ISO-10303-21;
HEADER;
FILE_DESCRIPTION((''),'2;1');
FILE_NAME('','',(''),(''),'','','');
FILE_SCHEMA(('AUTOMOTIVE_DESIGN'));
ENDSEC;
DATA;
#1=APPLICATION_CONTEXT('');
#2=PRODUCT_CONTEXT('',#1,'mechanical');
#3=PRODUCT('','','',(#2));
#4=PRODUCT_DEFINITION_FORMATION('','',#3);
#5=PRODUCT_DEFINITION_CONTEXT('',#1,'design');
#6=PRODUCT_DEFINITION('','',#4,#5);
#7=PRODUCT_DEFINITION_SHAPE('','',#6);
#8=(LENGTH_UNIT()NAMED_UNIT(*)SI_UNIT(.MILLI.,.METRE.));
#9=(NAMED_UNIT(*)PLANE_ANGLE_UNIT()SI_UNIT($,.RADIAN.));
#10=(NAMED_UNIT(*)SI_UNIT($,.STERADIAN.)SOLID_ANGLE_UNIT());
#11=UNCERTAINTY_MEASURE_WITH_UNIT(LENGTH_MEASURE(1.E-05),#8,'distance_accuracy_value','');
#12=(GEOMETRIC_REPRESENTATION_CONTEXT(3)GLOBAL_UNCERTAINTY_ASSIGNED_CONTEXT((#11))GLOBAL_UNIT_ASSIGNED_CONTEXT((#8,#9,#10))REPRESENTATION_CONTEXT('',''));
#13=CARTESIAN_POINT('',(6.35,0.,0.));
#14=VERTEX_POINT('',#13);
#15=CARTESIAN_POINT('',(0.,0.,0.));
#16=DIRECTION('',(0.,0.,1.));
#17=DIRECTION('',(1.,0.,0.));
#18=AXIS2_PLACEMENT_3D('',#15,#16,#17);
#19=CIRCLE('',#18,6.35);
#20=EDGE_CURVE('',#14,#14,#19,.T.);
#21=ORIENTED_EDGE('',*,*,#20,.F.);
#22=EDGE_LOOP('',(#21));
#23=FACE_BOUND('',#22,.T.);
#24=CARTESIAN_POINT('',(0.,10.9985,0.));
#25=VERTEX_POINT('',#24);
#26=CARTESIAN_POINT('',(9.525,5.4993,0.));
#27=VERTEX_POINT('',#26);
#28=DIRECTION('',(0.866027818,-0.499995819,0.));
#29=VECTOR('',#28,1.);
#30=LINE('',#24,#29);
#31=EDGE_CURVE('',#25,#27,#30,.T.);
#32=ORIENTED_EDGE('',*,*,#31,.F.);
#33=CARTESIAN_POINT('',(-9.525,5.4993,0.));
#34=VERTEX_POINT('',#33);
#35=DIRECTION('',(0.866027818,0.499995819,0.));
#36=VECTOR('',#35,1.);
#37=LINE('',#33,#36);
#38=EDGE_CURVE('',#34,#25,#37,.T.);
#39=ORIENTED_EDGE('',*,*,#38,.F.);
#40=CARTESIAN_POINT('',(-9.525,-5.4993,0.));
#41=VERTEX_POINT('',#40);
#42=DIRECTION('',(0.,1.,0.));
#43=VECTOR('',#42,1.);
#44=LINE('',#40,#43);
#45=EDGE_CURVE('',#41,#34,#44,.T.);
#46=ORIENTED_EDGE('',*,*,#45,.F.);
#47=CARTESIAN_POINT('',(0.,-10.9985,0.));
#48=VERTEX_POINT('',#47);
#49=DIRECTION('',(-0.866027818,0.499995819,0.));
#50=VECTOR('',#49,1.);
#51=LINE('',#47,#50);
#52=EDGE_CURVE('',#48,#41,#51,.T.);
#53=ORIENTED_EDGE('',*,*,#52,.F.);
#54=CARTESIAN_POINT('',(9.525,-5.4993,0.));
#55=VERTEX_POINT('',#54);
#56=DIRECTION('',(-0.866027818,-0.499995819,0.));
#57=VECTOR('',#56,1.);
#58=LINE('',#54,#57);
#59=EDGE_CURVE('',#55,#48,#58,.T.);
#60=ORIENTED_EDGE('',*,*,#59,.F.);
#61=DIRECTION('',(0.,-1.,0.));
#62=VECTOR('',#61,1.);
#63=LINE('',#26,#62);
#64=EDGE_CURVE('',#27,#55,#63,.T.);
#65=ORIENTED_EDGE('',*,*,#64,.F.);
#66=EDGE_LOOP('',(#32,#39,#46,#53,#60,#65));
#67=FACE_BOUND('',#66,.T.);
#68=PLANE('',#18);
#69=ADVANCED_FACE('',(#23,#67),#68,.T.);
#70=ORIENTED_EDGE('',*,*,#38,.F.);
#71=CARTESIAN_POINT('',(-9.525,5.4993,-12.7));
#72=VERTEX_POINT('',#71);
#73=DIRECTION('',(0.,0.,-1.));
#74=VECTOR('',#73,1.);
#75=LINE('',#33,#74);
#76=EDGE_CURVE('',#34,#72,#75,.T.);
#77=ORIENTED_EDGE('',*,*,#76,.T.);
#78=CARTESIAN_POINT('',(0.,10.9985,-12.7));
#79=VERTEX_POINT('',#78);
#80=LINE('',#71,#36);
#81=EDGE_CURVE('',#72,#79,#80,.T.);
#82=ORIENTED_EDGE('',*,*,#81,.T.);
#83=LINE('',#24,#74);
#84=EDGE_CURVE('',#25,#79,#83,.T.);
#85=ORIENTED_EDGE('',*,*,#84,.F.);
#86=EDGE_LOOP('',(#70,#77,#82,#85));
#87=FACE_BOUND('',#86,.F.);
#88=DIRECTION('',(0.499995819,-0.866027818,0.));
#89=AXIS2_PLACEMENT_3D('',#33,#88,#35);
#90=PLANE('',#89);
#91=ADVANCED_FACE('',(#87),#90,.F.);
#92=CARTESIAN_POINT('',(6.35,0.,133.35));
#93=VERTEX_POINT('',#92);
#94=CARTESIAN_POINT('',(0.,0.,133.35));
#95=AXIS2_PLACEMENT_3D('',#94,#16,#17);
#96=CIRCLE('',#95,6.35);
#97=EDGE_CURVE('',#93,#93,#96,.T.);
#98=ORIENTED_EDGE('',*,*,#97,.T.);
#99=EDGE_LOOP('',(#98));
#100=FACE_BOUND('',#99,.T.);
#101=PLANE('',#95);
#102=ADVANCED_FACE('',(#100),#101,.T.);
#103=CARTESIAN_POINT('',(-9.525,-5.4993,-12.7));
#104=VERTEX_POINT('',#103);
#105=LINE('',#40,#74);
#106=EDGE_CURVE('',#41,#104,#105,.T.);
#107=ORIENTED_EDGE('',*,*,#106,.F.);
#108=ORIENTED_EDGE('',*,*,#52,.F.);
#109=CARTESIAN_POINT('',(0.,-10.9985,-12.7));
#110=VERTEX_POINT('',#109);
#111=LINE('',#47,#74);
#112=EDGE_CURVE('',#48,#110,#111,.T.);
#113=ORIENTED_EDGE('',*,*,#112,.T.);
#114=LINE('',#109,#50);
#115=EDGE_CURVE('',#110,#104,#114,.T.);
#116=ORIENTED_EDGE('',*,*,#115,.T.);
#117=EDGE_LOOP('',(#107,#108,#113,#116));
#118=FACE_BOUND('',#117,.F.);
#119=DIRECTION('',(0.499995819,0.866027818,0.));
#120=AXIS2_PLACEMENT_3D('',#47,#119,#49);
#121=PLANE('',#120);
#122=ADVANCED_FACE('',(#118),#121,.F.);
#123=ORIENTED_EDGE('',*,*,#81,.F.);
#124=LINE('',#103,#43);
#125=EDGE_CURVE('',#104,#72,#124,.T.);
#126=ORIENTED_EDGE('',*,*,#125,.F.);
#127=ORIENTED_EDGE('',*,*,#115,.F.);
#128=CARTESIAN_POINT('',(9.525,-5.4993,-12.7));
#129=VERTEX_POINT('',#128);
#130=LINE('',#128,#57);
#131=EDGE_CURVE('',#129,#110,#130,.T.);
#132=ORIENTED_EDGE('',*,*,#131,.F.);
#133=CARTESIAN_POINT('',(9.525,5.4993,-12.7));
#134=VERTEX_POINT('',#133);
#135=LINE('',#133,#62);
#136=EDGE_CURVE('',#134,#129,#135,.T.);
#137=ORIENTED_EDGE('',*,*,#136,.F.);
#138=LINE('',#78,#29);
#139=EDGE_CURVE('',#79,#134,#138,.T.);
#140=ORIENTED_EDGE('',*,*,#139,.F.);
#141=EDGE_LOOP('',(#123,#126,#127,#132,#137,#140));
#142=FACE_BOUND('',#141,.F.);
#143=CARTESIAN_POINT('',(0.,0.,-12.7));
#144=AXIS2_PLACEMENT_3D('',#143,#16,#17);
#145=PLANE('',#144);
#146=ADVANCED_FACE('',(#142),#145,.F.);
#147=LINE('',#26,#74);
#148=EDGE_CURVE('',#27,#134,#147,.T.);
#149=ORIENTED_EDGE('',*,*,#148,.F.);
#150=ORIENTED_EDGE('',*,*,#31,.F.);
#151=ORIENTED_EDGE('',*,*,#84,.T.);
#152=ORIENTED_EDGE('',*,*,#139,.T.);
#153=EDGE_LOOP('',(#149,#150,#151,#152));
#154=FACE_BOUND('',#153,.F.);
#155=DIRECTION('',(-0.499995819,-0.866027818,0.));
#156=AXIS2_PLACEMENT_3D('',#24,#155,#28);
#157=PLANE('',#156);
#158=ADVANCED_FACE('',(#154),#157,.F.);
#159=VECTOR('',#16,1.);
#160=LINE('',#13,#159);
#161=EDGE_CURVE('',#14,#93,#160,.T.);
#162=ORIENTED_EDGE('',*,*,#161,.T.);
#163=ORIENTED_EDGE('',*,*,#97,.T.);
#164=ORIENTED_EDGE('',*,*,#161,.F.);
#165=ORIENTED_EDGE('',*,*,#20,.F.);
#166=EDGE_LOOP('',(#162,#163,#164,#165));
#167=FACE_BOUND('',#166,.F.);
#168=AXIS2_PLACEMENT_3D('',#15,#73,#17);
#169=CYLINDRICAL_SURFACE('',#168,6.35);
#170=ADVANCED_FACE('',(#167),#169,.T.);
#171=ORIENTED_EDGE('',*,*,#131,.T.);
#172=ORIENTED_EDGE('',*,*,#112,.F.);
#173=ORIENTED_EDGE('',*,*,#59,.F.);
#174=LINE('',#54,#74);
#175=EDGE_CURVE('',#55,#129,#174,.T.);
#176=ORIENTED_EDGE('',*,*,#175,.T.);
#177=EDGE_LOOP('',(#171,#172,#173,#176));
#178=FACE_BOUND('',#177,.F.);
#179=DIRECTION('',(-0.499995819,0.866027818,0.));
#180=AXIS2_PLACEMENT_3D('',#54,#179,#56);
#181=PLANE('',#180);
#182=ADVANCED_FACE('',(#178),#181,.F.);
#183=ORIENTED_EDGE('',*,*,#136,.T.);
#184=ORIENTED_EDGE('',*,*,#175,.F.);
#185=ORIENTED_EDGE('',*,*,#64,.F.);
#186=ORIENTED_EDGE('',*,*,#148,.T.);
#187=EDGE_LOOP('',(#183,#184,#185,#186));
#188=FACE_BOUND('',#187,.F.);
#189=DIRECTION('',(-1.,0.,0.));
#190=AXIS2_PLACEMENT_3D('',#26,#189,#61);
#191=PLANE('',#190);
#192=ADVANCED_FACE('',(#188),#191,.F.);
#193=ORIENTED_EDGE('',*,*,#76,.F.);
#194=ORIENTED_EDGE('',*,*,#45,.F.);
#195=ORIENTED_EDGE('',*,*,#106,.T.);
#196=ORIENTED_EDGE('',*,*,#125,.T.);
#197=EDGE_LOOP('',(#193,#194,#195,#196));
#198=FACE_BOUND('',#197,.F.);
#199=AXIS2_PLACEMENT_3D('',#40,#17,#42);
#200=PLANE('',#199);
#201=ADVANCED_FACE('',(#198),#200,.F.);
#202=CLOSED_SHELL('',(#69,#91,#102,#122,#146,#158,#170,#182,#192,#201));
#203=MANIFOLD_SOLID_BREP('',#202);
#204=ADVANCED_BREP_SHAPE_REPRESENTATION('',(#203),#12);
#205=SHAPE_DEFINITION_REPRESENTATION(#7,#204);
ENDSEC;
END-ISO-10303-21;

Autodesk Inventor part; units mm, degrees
ref_plane "YZ Plane" through (0, 0, 0) normal (1, 0, 0) x (0, 1, 0)
ref_plane "XZ Plane" through (0, 0, 0) normal (0, 1, 0) x (-1, 0, 0)
ref_plane "XY Plane" through (0, 0, 0) normal (0, 0, 1) x (1, 0, 0)
sketch "Sketch1" plane through (0, 0, 0) normal (0, 0, 1) x (1, 0, 0)
  circle A0 centre (0, 0) radius 6.35
  line L0 (0, 10.9985) -> (9.525, 5.4993)
  line L1 (9.525, 5.4993) -> (9.525, -5.4993)
  line L2 (9.525, -5.4993) -> (0, -10.9985)
  line L3 (0, -10.9985) -> (-9.525, -5.4993)
  line L4 (-9.525, -5.4993) -> (-9.525, 5.4993)
  line L5 (-9.525, 5.4993) -> (0, 10.9985)
  dimension "d1" = 19.05
extrude "Extrusion1" add sketch "Sketch1" against normal blind 12.7 contours A0 | L0 L1 L2 L3 L4 L5
sketch "Sketch2" plane through (0, 0, 0) normal (0, 0, 1) x (1, 0, 0)
  circle A0 centre (0, 0) radius 6.35
  dimension "d4" = 12.7
extrude "Extrusion2" add sketch "Sketch2" along normal blind 133.35
thread "Thread1" size "1/2-13 UNC" class "2A" standard "ANSI Unified Screw Threads" full length
properties part number "5.25 in bolt"
